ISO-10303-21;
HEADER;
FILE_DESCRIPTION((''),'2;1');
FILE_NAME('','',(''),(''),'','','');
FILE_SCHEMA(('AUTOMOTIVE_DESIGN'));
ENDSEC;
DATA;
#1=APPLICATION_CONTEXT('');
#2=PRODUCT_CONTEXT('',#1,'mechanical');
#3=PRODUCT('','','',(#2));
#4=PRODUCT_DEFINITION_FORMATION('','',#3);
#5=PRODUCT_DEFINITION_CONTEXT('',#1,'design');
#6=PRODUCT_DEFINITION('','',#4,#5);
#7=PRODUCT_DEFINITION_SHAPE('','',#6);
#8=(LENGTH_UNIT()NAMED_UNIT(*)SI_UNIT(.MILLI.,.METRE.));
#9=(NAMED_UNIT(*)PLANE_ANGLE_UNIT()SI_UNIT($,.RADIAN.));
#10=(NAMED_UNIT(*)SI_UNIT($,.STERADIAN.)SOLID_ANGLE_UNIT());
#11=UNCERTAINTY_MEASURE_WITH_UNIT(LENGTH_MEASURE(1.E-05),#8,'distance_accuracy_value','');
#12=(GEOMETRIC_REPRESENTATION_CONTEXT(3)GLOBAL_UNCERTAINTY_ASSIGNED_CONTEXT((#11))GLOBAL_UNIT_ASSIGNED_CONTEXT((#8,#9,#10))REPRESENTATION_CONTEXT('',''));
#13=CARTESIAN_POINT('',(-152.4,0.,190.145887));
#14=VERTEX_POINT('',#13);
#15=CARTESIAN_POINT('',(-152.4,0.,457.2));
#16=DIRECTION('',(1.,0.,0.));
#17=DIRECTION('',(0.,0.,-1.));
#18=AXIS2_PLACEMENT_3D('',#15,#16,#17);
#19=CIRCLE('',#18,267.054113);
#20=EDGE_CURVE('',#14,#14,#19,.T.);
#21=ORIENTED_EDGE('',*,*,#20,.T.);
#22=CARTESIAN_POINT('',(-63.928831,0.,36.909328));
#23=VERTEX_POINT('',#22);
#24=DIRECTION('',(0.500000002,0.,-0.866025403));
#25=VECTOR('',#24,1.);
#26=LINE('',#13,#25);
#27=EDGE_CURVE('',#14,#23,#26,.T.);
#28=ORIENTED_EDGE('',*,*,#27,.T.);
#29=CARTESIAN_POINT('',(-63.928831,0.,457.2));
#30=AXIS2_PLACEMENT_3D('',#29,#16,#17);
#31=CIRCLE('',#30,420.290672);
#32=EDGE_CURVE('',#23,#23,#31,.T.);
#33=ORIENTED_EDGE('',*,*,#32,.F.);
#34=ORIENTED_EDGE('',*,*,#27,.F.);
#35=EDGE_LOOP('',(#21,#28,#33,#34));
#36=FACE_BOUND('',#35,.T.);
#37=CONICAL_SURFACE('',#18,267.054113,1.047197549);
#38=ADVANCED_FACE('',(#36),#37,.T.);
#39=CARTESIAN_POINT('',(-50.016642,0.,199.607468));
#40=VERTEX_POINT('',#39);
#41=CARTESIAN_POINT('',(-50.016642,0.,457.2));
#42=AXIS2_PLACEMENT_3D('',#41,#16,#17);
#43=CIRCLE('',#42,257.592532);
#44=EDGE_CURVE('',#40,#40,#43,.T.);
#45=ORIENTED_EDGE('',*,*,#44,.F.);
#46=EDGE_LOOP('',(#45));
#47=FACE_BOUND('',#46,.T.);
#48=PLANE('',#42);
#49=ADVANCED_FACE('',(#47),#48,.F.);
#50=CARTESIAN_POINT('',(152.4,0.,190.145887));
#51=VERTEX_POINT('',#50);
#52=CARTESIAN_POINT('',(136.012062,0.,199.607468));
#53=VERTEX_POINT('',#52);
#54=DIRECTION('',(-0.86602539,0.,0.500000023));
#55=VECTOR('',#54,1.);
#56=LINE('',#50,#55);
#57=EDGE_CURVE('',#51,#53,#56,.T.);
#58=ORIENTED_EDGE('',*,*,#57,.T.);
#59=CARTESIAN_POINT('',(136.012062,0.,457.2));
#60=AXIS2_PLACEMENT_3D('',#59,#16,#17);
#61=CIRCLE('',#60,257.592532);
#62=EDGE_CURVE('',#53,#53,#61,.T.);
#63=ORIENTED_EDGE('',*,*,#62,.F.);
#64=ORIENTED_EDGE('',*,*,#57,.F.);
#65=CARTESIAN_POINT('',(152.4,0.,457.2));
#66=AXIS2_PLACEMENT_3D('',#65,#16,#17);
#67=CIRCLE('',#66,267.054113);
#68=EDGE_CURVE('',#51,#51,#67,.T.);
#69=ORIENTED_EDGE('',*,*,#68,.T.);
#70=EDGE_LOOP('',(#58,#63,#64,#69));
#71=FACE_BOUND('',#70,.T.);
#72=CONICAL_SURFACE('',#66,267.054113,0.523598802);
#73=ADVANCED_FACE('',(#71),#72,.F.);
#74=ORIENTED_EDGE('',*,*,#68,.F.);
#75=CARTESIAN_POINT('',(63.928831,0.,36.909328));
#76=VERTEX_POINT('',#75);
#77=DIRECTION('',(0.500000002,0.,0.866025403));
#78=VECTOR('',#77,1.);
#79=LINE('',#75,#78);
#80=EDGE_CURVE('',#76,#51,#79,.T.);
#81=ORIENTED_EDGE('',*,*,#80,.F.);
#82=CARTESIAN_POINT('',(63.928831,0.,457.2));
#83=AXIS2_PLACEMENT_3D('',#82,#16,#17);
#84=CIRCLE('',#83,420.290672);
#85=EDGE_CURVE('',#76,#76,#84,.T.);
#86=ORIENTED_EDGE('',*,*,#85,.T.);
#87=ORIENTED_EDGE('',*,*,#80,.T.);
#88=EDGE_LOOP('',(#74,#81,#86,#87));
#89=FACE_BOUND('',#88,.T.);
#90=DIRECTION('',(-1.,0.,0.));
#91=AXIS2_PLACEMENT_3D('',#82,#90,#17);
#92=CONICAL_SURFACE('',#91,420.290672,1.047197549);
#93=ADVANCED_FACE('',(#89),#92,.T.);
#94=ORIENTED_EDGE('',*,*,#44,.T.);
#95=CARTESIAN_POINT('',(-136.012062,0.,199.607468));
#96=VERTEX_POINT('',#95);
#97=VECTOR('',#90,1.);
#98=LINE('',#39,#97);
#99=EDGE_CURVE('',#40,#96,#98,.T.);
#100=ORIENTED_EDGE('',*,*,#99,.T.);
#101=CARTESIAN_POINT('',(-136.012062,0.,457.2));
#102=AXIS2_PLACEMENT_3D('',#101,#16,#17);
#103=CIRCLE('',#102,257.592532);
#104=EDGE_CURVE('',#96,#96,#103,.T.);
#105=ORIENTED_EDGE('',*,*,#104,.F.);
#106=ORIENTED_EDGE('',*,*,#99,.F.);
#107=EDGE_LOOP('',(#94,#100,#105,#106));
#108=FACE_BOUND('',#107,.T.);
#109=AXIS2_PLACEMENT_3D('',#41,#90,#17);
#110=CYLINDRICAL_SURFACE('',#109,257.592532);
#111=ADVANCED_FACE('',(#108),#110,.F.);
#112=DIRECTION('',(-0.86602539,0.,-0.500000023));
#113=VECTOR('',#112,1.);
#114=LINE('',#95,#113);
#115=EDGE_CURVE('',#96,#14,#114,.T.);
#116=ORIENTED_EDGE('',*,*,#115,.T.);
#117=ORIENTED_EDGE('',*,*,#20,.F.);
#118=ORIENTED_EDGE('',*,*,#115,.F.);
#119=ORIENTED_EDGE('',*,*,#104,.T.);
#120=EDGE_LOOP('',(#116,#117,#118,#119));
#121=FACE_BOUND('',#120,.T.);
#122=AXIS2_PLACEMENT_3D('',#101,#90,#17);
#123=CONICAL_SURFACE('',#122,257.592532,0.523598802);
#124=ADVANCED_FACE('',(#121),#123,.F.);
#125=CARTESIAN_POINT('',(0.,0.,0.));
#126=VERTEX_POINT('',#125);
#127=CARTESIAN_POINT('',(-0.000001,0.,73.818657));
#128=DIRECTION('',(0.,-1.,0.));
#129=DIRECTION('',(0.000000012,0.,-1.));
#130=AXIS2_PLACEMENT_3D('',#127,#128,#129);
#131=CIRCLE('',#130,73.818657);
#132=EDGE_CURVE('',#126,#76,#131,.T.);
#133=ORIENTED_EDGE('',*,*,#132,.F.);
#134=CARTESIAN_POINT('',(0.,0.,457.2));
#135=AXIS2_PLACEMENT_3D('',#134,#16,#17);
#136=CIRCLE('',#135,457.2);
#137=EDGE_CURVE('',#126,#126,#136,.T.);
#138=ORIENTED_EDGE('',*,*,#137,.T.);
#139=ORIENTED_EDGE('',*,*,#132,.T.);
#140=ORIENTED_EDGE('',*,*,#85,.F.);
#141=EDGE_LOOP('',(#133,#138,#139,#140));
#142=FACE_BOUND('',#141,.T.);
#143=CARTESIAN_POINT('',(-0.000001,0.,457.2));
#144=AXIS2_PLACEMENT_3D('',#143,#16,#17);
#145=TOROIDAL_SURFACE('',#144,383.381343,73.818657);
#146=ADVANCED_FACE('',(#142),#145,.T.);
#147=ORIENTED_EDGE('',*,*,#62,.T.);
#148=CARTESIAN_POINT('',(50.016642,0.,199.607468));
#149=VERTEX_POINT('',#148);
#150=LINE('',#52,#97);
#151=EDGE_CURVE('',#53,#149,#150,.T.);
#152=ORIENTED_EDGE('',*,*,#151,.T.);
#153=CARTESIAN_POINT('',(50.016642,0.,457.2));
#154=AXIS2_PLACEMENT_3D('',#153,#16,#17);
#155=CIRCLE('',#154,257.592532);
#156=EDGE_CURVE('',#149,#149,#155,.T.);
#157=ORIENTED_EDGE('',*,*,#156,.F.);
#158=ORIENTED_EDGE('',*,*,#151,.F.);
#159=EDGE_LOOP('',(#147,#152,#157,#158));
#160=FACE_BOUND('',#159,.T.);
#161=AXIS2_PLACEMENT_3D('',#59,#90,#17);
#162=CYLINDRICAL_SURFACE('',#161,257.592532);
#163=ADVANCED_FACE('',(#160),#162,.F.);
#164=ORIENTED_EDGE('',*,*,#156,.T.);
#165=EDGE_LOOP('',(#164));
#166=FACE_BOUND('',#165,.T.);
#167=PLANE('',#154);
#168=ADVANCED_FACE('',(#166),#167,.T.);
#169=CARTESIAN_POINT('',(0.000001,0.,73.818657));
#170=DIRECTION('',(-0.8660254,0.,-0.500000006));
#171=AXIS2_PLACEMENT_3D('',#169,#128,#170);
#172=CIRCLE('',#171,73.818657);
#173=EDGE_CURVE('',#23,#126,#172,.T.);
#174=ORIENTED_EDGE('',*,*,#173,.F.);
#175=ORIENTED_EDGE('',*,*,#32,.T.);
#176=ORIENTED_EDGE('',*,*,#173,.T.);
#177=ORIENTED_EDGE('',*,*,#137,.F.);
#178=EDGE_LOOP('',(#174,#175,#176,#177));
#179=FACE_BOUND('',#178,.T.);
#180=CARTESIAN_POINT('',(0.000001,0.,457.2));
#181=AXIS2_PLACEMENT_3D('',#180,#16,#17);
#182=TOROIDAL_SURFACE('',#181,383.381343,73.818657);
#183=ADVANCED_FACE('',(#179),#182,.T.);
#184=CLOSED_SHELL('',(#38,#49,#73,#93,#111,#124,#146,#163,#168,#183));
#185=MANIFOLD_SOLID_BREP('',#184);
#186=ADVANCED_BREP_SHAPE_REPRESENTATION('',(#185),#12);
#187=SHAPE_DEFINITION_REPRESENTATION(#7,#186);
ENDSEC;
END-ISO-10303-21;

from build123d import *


with BuildPart() as f1:
    # F0 (on Front) → F1 (revolve)
    with BuildSketch(Plane.XZ):
        with BuildLine():
            ThreePointArc((-63.928831, 36.909328), (-36.909328, 9.889825), (0, 0))
            ThreePointArc((0, 0), (36.909328, 9.889825), (63.928831, 36.909328))
            Line((63.928831, 36.909328), (152.4, 190.145887))
            Line((152.4, 190.145887), (136.012062, 199.607468))
            Line((136.012062, 199.607468), (50.016642, 199.607468))
            Line((50.016642, 199.607468), (50.016642, 457.2))
            Line((50.016642, 457.2), (0, 457.2))
            Line((0, 457.2), (-50.016642, 457.2))
            Line((-50.016642, 457.2), (-50.016642, 199.607468))
            Line((-50.016642, 199.607468), (-136.012062, 199.607468))
            Line((-136.012062, 199.607468), (-152.4, 190.145887))
            Line((-152.4, 190.145887), (-63.928831, 36.909328))
        make_face()
    revolve(axis=Axis((25.008321, 0, 457.2), (1, 0, 0)))


solid = f1.part
